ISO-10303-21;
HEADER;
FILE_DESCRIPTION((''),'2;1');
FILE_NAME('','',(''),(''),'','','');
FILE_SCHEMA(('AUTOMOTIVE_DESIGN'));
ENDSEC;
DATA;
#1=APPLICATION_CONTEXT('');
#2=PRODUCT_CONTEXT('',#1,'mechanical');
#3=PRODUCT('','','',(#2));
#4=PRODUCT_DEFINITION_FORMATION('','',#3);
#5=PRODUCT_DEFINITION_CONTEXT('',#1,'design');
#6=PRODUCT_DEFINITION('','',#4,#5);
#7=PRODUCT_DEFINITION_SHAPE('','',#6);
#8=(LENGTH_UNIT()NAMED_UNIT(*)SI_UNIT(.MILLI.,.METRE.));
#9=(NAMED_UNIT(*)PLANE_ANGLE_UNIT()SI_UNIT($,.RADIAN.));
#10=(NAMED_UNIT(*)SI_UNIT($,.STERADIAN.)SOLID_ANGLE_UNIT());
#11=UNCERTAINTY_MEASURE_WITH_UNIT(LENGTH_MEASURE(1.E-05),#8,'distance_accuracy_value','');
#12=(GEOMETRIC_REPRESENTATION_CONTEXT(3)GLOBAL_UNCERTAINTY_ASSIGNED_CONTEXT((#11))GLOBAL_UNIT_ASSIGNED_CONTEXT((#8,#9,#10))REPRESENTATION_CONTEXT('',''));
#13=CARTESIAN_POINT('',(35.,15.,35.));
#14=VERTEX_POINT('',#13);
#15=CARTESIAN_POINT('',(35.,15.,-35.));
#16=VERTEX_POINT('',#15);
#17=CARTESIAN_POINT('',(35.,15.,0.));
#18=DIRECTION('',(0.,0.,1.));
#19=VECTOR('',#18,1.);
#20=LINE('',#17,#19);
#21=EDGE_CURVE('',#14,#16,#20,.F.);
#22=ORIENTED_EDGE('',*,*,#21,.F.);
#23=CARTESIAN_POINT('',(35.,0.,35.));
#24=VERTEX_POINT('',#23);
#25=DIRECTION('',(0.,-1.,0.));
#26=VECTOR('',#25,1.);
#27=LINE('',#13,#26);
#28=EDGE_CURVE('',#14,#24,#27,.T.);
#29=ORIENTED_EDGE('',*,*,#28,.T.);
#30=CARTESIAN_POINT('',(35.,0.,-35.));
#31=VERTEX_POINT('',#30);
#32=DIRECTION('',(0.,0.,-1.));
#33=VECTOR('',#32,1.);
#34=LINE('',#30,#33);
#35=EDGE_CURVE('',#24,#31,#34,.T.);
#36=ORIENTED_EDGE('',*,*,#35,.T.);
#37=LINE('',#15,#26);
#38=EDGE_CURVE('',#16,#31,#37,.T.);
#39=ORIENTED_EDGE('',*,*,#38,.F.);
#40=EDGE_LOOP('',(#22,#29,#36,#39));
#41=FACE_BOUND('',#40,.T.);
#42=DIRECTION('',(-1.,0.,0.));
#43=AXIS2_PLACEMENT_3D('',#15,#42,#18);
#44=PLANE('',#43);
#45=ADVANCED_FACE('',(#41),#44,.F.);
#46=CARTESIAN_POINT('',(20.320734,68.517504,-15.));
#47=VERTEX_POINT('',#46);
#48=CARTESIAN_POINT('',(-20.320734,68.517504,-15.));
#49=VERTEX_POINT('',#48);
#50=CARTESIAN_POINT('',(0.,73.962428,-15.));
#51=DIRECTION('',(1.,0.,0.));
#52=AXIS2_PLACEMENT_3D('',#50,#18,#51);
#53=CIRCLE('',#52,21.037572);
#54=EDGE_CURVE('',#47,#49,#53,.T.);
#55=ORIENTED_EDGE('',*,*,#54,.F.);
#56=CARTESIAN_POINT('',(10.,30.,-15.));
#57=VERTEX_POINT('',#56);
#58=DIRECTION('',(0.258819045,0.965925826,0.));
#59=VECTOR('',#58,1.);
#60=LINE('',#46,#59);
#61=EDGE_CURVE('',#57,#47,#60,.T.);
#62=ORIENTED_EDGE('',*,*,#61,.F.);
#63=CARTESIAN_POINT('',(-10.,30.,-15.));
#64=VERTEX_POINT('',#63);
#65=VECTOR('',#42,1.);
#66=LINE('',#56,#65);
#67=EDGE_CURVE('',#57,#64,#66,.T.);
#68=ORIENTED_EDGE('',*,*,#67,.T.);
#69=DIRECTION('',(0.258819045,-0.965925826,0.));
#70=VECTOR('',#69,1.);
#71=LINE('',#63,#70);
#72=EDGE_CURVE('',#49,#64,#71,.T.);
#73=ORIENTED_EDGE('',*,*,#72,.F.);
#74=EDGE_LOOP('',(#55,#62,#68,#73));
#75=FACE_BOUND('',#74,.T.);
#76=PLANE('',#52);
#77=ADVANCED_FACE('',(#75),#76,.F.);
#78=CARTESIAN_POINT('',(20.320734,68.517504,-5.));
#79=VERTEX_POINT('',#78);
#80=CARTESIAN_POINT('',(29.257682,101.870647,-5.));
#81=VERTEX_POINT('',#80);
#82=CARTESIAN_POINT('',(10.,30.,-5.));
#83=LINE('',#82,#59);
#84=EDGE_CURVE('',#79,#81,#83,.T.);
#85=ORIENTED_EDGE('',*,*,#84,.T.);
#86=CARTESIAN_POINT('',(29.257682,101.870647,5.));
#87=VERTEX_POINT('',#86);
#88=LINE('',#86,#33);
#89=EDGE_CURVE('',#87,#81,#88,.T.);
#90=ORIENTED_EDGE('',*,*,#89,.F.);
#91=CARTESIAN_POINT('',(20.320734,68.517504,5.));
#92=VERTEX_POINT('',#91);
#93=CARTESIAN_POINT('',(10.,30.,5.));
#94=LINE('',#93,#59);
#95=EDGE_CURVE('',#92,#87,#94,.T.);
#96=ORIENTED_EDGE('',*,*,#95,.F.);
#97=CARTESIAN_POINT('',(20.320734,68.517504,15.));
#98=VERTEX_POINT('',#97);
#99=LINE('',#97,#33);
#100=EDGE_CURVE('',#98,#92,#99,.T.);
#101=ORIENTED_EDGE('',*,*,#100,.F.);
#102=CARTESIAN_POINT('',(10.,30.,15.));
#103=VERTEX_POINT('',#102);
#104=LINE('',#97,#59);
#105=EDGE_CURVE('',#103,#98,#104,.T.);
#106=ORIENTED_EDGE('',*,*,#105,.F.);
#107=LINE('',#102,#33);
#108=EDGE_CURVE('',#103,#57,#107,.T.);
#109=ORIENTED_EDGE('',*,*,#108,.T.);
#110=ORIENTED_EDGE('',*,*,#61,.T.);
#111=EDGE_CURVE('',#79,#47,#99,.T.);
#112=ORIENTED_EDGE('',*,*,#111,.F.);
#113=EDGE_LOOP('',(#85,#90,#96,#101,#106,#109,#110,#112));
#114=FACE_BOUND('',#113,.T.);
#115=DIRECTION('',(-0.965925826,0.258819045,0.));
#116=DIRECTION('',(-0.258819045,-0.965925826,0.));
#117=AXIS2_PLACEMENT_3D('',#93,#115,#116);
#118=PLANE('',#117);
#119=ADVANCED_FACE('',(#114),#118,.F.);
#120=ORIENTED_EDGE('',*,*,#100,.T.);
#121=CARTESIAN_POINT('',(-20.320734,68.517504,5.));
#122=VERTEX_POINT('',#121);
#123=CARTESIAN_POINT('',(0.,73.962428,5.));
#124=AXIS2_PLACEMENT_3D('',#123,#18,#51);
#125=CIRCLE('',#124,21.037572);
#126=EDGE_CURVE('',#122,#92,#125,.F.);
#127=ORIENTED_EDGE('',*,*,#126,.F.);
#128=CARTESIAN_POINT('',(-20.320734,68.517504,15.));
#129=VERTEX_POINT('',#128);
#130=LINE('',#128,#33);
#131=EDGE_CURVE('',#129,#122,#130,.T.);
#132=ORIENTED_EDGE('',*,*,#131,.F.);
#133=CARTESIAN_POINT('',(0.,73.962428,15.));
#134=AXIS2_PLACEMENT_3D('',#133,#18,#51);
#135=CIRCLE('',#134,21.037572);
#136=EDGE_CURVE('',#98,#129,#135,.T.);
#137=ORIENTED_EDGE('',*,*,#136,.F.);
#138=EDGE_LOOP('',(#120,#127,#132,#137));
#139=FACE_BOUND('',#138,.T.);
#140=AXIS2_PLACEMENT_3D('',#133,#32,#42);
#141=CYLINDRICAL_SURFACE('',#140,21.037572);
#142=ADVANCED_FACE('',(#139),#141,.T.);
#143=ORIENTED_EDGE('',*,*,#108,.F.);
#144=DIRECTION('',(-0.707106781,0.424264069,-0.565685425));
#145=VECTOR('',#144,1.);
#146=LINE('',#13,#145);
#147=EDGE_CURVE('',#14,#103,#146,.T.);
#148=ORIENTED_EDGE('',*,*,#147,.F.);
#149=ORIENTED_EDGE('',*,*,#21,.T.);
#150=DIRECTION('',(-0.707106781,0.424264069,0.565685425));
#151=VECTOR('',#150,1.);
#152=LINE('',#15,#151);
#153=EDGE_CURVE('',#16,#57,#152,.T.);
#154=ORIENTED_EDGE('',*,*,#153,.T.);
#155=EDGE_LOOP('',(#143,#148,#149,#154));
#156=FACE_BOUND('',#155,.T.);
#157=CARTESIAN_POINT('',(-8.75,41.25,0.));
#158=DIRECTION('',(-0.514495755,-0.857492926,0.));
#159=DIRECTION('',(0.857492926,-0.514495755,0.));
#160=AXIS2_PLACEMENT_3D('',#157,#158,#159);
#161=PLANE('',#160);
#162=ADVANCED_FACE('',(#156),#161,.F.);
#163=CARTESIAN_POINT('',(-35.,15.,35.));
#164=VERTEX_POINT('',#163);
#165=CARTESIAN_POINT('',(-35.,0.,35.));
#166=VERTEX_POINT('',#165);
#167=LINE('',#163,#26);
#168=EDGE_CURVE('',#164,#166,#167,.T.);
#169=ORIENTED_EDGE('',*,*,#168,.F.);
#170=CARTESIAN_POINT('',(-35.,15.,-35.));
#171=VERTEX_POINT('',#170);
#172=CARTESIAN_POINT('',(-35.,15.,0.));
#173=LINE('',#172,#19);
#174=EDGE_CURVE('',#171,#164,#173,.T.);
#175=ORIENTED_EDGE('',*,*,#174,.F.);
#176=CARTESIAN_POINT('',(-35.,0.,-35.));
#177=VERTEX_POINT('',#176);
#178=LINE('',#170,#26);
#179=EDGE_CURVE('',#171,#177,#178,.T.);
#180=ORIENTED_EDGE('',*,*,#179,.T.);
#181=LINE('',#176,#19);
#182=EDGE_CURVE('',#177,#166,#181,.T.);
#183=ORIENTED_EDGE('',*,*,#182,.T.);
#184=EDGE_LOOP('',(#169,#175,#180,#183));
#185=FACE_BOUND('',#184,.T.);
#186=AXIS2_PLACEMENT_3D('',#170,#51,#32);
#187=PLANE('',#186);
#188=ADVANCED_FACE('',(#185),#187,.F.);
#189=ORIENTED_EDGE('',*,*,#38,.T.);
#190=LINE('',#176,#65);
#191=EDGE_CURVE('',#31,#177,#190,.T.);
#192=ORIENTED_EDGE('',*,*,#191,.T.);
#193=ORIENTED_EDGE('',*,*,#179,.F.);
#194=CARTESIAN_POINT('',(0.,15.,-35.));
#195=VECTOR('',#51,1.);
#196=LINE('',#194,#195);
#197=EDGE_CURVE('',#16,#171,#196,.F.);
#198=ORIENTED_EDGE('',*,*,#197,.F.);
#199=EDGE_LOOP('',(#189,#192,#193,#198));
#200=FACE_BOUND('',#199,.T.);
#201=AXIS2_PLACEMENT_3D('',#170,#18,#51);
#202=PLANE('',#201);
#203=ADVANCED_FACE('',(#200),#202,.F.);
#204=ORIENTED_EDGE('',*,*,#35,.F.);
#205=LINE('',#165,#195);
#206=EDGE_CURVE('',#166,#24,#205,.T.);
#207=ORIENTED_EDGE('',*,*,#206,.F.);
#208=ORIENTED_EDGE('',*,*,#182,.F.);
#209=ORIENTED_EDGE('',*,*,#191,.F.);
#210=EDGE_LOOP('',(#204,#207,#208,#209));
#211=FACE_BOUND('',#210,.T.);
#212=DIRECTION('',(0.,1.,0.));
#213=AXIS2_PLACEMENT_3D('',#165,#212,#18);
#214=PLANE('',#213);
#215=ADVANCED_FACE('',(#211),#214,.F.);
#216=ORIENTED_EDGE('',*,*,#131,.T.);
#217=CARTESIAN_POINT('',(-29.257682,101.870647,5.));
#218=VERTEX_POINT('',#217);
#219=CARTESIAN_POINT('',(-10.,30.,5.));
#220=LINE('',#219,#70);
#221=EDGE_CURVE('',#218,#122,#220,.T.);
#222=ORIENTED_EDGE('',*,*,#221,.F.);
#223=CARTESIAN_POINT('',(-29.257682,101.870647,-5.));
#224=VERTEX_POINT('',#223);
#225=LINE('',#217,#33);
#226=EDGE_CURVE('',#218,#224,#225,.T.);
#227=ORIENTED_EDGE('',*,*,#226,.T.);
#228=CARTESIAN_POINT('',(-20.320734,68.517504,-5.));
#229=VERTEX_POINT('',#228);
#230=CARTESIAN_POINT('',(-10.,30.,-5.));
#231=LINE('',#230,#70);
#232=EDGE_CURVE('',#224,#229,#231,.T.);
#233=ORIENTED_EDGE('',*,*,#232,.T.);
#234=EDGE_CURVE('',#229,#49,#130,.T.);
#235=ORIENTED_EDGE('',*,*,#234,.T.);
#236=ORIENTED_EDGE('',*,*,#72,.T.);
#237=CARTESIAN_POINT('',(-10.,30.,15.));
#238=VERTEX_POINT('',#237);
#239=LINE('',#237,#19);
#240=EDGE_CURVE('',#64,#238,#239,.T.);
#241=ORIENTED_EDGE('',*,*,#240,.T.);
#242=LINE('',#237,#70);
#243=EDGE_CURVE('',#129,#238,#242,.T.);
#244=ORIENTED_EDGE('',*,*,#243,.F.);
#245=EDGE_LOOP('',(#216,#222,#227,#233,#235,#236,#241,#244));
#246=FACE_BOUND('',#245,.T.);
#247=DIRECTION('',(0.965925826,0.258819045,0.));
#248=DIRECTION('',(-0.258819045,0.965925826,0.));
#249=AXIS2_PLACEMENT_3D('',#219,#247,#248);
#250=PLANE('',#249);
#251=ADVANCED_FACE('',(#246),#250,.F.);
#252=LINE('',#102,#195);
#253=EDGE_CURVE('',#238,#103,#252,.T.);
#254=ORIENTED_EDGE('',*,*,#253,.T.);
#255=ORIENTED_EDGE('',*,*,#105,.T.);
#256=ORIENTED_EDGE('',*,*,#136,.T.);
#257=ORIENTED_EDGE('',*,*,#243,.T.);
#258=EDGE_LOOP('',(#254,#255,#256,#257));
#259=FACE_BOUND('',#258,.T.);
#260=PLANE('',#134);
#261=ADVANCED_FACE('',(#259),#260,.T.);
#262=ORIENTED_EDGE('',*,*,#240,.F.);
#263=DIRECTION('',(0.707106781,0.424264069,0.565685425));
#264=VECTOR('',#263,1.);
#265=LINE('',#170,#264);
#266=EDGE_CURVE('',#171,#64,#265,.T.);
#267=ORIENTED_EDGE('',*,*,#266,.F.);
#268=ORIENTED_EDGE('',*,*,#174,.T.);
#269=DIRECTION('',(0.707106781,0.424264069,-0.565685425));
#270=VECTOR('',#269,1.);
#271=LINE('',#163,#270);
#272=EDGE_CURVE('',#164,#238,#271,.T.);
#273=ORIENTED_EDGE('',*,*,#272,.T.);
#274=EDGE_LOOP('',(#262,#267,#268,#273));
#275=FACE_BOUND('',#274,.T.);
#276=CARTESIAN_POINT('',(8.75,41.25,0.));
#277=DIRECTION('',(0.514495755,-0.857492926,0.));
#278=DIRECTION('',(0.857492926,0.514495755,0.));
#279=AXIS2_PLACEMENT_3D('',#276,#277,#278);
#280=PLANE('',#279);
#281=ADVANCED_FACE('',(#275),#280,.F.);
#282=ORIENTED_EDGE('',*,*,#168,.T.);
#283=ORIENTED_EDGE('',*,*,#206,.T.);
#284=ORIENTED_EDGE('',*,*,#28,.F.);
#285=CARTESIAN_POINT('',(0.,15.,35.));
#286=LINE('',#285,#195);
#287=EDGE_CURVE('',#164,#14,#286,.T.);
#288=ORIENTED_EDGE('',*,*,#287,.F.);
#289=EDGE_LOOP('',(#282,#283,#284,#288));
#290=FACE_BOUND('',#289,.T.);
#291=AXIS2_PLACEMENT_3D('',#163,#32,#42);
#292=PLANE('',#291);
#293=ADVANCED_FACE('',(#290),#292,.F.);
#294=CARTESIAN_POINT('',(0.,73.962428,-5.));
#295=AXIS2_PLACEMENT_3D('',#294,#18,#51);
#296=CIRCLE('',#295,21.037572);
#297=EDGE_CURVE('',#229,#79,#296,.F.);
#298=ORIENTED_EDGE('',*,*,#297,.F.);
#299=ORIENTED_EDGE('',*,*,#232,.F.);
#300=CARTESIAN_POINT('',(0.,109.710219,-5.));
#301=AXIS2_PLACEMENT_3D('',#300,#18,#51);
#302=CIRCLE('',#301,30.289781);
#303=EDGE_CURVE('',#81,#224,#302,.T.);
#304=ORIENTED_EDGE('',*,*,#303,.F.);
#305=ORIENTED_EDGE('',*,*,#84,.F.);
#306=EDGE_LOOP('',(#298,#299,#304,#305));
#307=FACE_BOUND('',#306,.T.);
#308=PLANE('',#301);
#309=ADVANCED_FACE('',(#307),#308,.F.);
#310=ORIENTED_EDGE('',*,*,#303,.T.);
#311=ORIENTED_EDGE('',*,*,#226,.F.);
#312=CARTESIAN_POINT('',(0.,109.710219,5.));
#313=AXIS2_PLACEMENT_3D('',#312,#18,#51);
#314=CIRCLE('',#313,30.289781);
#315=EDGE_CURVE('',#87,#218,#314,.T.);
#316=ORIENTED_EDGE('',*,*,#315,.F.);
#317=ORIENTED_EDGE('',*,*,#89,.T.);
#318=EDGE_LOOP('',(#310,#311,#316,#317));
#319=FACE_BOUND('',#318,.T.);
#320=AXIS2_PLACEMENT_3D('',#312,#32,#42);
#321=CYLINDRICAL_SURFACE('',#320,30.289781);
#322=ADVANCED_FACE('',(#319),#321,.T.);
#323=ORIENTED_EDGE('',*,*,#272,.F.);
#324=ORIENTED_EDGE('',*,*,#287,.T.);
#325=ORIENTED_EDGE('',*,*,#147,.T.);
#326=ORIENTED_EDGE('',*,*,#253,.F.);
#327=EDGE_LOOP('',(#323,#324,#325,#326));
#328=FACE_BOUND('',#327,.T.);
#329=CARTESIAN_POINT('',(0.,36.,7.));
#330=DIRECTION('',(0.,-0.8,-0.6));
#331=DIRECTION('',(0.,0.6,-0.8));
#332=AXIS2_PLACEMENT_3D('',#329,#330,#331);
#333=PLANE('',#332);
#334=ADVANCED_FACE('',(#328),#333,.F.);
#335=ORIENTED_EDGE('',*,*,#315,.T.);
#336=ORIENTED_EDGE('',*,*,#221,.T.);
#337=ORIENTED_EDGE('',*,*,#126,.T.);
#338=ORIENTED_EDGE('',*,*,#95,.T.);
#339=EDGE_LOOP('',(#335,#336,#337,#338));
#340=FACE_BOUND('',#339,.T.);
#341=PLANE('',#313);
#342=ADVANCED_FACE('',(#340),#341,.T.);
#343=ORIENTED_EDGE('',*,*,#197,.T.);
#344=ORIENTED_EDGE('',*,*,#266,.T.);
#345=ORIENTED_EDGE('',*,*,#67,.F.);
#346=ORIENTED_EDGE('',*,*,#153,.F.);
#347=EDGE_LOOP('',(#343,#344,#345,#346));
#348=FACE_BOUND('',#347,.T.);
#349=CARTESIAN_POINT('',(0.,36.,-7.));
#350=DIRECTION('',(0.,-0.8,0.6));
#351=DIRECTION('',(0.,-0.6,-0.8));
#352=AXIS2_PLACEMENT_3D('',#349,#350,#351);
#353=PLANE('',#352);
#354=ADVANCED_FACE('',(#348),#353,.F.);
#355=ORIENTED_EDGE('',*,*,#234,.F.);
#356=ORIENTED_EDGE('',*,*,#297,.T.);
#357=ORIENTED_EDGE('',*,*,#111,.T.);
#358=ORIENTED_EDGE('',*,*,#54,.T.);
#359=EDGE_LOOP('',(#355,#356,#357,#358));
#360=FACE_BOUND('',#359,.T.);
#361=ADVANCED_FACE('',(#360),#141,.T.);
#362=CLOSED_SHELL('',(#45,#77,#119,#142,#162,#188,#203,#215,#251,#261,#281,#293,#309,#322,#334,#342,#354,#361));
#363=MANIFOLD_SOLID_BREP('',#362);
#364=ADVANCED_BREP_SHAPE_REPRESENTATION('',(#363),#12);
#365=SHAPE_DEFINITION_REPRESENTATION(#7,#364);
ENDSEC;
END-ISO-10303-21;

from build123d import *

# Parameters (mm, degrees)
SKETCH1_W      = 70
SKETCH1_H      = 70
EXTRUDE1_DEPTH = 15
SKETCH2_W      = 70
SKETCH2_H      = 70
SKETCH3_W      = 20
SKETCH3_H      = 30
EXTRUDE2_DEPTH = 5
EXTRUDE3_DEPTH = 15


with BuildPart() as part:
    # Sketch1 → Extrude1 (new body)
    with BuildSketch(Plane(origin=(0, 0, 0), x_dir=(1, 0, 0), z_dir=(0, 1, 0))):
        Rectangle(SKETCH1_W, SKETCH1_H)
    extrude(amount=EXTRUDE1_DEPTH)

    # Sketch2 → Loft1 section 0
    with BuildSketch(Plane(origin=(0, 15, 0), x_dir=(-1, 0, 0), z_dir=(0, 1, 0))):
        Rectangle(SKETCH2_W, SKETCH2_H)
    # Sketch3 → Loft1 section 1
    with BuildSketch(Plane(origin=(0, 30, 0), x_dir=(-1, 0, 0), z_dir=(0, 1, 0))):
        Rectangle(SKETCH3_W, SKETCH3_H)
    loft()

    # Sketch4 → Extrude2 (add, symmetric)
    with BuildSketch(Plane.XY):
        with BuildLine():
            Line((10, 30), (29.257681763, 101.870646776))
            ThreePointArc((29.257681763, 101.870646776), (0, 140), (-29.257681763, 101.870646776))
            Line((-29.257681763, 101.870646776), (-10, 30))
            Line((-10, 30), (10, 30))
        make_face()
    extrude(amount=EXTRUDE2_DEPTH, both=True)

    # Sketch5 → Extrude3 (add, symmetric)
    with BuildSketch(Plane.XY):
        with BuildLine():
            Line((20.320734039, 68.517503805), (10, 30))
            Line((10, 30), (-10, 30))
            Line((-10, 30), (-20.320734039, 68.517503805))
            ThreePointArc((-20.320734039, 68.517503805), (0, 95), (20.320734039, 68.517503805))
        make_face()
    extrude(amount=EXTRUDE3_DEPTH, both=True)


solid = part.part
